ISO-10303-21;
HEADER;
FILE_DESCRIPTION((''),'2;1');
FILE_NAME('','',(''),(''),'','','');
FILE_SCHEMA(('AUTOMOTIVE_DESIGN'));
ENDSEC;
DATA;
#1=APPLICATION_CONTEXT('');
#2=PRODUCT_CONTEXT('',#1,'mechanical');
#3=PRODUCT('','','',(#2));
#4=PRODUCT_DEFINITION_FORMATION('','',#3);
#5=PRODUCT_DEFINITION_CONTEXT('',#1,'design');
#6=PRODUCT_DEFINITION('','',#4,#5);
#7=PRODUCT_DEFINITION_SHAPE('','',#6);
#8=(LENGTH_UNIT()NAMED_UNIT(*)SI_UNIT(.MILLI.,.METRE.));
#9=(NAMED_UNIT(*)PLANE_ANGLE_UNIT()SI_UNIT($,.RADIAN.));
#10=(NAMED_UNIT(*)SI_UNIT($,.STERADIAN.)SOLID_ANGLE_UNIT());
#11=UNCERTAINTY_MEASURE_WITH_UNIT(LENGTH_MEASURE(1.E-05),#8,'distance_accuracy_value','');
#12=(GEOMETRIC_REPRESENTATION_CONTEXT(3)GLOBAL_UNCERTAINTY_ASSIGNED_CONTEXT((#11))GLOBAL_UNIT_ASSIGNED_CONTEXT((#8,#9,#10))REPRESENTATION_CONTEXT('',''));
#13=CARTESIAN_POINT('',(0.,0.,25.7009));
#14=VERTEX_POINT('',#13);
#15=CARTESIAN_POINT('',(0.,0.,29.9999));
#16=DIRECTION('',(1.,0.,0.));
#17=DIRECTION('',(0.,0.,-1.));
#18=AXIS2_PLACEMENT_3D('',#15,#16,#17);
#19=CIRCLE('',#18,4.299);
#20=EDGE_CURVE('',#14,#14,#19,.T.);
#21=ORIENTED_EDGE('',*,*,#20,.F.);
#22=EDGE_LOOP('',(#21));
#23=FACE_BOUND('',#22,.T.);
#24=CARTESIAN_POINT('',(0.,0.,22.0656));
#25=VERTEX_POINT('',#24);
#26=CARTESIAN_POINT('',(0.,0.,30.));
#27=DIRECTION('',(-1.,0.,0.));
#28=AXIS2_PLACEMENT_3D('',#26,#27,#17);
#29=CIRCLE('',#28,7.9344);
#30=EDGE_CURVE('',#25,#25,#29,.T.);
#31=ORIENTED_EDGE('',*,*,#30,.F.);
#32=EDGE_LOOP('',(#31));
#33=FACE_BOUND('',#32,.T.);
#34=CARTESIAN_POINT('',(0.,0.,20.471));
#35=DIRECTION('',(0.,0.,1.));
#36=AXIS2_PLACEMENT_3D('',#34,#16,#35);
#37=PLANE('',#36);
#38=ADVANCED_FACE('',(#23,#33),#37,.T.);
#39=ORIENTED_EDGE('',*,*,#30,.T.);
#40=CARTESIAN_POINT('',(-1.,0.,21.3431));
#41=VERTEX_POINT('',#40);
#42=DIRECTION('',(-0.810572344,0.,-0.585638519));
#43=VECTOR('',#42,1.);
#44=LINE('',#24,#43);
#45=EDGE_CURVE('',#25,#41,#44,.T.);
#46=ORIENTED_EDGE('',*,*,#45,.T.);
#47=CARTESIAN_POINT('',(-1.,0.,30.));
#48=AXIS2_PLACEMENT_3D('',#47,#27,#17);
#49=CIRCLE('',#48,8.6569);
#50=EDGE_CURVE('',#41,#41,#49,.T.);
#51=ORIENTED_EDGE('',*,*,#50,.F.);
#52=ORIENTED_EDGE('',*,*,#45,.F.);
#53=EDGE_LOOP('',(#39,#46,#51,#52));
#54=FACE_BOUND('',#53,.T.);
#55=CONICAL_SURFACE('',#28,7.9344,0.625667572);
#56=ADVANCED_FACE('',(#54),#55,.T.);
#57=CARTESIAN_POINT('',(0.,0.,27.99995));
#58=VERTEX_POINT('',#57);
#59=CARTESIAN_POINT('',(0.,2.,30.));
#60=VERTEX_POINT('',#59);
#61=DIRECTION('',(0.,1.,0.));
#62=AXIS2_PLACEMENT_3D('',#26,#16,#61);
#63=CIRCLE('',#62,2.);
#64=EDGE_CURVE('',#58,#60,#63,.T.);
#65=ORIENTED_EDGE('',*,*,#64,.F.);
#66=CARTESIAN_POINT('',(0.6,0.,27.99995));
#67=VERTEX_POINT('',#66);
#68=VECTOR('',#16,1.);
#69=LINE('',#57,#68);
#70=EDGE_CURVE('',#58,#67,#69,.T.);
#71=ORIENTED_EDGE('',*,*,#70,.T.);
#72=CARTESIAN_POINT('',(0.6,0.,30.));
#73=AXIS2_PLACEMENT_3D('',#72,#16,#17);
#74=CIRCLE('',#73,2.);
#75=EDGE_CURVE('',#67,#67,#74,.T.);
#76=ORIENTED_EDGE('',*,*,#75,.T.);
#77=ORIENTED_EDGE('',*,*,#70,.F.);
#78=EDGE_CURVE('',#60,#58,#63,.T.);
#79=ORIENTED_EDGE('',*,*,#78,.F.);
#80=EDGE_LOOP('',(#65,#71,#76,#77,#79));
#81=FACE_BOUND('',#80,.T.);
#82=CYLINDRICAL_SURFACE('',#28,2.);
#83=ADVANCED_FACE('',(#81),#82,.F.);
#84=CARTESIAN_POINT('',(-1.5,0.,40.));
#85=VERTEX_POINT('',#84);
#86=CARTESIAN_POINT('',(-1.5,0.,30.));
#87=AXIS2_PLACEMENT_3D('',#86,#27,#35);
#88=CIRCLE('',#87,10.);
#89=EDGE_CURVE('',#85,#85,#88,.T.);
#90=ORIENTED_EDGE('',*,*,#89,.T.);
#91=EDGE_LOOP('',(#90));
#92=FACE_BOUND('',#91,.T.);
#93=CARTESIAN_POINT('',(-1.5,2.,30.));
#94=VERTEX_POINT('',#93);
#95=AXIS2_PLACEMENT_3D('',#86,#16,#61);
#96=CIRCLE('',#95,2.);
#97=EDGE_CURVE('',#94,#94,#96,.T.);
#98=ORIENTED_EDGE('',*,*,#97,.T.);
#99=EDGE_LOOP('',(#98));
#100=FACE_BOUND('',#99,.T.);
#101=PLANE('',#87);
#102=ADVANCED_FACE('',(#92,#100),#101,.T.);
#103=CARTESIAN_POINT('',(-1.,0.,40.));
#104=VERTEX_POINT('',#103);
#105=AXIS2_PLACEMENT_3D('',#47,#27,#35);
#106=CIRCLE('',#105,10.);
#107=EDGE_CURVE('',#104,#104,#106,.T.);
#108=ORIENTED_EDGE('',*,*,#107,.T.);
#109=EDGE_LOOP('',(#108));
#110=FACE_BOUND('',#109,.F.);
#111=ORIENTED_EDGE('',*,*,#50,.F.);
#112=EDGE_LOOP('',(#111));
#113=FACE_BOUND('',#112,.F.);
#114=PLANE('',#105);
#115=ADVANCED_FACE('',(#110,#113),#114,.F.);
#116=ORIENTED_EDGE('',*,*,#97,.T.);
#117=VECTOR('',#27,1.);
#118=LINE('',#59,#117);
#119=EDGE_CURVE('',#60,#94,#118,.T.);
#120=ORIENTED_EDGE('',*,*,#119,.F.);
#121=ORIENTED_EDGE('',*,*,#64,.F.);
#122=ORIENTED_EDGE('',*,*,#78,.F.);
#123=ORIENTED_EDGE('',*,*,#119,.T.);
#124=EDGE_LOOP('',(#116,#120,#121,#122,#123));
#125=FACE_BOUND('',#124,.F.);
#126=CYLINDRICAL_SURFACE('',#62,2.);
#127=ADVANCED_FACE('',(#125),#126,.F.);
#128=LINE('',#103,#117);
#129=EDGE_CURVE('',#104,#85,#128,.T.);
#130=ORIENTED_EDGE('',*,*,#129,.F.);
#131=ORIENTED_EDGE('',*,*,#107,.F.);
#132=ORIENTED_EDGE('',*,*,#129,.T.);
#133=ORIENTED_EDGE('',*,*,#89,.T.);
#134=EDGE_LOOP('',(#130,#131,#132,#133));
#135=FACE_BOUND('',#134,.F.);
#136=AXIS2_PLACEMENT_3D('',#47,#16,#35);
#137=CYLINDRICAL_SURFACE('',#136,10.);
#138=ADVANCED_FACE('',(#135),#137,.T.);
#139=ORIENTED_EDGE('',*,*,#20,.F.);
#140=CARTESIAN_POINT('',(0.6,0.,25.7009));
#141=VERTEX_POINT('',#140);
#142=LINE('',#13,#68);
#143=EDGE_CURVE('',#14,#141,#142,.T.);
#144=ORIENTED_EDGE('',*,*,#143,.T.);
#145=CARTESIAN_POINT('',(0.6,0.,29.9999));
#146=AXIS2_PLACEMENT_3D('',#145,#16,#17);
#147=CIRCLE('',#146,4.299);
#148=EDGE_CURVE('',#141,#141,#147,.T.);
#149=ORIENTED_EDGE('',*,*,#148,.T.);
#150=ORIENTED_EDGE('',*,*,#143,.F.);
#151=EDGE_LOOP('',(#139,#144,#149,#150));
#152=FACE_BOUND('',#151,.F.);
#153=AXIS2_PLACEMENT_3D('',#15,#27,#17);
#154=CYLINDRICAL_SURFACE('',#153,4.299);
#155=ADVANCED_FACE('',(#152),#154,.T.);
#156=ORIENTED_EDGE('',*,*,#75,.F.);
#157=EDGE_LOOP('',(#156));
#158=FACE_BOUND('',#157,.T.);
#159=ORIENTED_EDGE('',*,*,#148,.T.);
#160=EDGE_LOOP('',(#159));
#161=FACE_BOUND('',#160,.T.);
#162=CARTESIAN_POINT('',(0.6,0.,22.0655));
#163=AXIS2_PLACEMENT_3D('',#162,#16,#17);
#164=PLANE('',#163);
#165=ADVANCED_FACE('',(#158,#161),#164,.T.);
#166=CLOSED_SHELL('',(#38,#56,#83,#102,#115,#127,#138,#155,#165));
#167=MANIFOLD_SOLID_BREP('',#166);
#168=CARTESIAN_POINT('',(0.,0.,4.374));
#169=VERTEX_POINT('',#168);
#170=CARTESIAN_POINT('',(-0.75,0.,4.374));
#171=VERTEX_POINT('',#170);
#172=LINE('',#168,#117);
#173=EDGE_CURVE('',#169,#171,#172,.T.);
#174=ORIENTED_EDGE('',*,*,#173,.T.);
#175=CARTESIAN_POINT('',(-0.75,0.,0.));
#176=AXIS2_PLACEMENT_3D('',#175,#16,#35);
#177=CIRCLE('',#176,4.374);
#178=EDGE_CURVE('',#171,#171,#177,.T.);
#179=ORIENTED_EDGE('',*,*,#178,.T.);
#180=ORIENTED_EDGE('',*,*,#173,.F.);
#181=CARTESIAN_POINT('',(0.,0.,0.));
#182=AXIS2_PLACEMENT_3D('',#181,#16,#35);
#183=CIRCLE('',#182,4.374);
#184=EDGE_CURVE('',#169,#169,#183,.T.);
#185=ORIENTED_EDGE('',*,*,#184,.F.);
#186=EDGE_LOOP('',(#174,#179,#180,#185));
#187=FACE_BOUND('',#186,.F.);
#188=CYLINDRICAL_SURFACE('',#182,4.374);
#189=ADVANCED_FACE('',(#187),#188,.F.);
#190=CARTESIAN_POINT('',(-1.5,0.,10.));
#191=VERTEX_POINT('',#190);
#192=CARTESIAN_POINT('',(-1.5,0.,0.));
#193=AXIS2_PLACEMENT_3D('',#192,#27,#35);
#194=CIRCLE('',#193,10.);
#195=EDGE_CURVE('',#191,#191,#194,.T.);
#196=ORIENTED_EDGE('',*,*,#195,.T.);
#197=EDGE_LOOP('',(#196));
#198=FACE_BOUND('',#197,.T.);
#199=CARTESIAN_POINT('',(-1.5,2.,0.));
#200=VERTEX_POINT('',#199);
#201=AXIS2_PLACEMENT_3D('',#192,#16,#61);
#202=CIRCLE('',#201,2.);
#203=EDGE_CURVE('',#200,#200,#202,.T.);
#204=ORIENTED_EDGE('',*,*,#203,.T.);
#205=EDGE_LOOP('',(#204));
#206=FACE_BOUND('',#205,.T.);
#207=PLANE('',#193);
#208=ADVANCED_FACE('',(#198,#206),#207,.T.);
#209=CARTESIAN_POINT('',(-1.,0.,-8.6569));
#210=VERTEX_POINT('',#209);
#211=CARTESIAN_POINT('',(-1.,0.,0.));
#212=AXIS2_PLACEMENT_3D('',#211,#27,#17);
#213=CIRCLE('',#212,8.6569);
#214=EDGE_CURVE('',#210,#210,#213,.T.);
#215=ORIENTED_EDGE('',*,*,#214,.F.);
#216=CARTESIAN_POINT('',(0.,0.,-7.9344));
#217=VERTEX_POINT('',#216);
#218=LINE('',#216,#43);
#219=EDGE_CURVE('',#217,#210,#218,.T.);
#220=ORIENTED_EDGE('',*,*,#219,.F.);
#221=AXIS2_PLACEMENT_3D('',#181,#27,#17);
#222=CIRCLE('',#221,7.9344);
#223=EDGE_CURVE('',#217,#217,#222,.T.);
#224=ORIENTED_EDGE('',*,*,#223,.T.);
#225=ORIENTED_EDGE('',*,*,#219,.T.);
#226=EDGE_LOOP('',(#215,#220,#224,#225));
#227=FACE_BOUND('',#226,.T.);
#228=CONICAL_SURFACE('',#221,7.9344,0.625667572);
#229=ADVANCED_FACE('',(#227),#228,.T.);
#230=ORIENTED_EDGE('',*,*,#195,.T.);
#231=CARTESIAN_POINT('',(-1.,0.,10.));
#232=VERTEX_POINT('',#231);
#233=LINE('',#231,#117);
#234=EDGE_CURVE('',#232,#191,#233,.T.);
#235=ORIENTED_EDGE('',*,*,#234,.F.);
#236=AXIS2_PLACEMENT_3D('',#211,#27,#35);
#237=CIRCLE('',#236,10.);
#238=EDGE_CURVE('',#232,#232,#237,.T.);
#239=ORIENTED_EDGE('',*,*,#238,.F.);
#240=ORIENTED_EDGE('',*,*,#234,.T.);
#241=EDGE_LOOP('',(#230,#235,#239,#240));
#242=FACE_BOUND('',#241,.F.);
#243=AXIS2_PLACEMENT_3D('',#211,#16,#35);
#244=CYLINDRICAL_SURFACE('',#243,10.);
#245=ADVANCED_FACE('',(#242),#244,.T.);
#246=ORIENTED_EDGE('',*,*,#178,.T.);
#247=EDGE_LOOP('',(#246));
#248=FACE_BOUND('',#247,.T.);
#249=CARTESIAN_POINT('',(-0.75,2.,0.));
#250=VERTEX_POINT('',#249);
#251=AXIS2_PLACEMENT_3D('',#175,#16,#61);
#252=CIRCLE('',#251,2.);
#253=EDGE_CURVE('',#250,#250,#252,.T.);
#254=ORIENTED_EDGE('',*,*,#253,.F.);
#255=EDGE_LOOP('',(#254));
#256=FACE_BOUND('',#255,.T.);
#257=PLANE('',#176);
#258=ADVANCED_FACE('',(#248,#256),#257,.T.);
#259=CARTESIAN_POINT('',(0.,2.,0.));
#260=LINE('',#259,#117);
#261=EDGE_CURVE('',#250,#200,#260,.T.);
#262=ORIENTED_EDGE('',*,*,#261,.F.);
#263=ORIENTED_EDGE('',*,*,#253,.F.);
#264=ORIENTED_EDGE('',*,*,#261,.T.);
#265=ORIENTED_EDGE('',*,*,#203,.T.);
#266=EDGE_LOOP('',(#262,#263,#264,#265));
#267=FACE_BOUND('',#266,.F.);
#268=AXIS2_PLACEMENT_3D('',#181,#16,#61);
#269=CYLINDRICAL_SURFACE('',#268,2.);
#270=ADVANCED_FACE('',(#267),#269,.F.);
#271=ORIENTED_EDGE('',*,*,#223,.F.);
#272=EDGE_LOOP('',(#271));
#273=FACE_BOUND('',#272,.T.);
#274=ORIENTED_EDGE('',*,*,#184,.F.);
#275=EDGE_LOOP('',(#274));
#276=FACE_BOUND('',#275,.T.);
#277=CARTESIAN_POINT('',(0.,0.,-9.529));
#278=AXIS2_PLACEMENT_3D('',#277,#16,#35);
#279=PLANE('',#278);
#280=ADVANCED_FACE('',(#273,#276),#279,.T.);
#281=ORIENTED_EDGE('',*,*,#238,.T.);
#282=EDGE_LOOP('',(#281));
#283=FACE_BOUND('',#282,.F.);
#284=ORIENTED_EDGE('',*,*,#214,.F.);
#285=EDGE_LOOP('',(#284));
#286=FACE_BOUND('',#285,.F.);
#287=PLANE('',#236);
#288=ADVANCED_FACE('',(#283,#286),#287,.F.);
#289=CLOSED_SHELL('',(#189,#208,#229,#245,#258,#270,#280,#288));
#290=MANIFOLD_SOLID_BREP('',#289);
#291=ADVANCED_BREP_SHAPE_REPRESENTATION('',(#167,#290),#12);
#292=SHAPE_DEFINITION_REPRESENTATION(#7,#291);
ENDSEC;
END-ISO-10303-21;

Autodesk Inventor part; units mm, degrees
ref_plane "YZ Plane" through (0, 0, 0) normal (1, 0, 0) x (0, 1, 0)
ref_plane "XZ Plane" through (0, 0, 0) normal (0, 1, 0) x (-1, 0, 0)
ref_plane "XY Plane" through (0, 0, 0) normal (0, 0, 1) x (1, 0, 0)
sketch "Sketch1" plane through (0, 0, 0) normal (1, 0, 0) x (0, 1, 0)
  circle A0 centre (0, 0) radius 7.9344
  dimension "d0" = 15.8689
extrude "Extrusion1" add sketch "Sketch1" along normal mid plane 2
sketch "Sketch2" plane through (-1, 0, 0) normal (-1, 0, 0) x (0, 0, 1)
  circle A0 centre (0, 0) radius 10
  dimension "d46" = 20
extrude "Extrusion2" add sketch "Sketch2" along normal blind 0.5
sketch "Sketch3" plane through (-1.5, 0, 0) normal (-1, 0, 0) x (0, 0, 1)
  point P0 (0, 0)
sketch "Sketch5" plane through (0, 0, 0) normal (0, 1, 0) x (-1, 0, 0)
  circle A0 centre (0, -0.6447) radius 0.3263
  line L0 (-1.5, 0) -> (1.5, 0)
  circle A1 centre (0, 0.6447) radius 0.3263
  point P0 (0, 0)
sketch "Sketch6" plane through (0, 0, 0) normal (0, 1, 0) x (-1, 0, 0)
  line L0 (1, -7.9344) -> (1, 7.9344)
  line L1 (1, -7.9344) -> (-1, -7.9344)
  line L2 (0, -7.9344) -> (1, -8.6569)
  line L3 (1, -10) -> (1, 10)
  line L4 (0, -7.9344) -> (-1, -8.6569)
  line L5 (-1, -8.6569) -> (-1, -7.9344)
  line L6 (1, -7.9344) -> (1, -8.6569)
  line L7 (-2.6263, 0) -> (3.0126, 0)
  line L8 (-1, -8.6569) -> (-1, -7.9344)
  line L9 (0, -7.9344) -> (1, -7.9344)
  point P0 (0, 0)
  dimension "d45" = 0
revolve "Revolution1" add sketch "Sketch6" angle 360 about axis through (2.6263, 0, 0) along (-1, 0, 0)
sketch "Sketch7" plane through (0, 0, 0) normal (0, 1, 0) x (-1, 0, 0)
  line L0 (-5.9098, -9.529) -> (0, -9.529)
  line L1 (0, -9.529) -> (0, 9.1694)
  line L2 (0, 9.1694) -> (-5.9098, 9.1694)
  line L3 (-5.9098, 9.1694) -> (-5.9098, -9.529)
  point P0 (0, 0)
extrude "Extrusion6" cut sketch "Sketch7" along normal mid plane 22.75
sketch "Sketch8" plane through (0, 0, 0) normal (1, 0, 0) x (0, 1, 0)
  circle A0 centre (0, 0) radius 2
  dimension "d15" = 4
extrude "Extrusion7" cut sketch "Sketch8" against normal through all
sketch "Sketch9" plane through (0, 0, 0) normal (1, 0, 0) x (0, 0, 1)
  circle A0 centre (0, 0) radius 4.374
  circle A1 centre (0, 0) radius 2 projected
  arc A2 (1.4796, -1.3457) -> (-1.4796, -1.3457) centre (0, 0) ccw
  line L0 (0.971, 0) -> (0.971, -2) projected
  line L1 (-0.971, -2) -> (-0.971, 0) projected
  point P0 (-7.9344, 0)
  point P1 (0, -2)
  point P2 (0, -2)
  point P3 (-7.9344, 0)
  dimension "d36" = 8.7479
extrude "Extrusion8" cut sketch "Sketch9" against normal blind 0.75 contours A0 | A1
pattern_linear "Rectangular Pattern3" count 2 spacing 30 along (0, 0, 1) of "Extrusion1", "Extrusion2", "Revolution1", "Extrusion6", "Extrusion7"
sketch "Sketch10" plane through (0, 0, 22.0655) normal (1, 0, 0) x (0, 0, -1)
  arc A0 (-7.9345, 2) -> (-7.9345, 2) centre (-7.9345, 0) ccw
  circle A1 centre (-7.9344, 0) radius 2
  circle A2 centre (-7.9344, 0) radius 4.299
  point P0 (22.0655, 0)
  dimension "d43" = 8.5979
extrude "Extrusion9" add sketch "Sketch10" along normal blind 0.6
sketch "Sketch11" plane through (0, 0, 30) normal (1, 0, 0) x (0, 1, 0)
  line L0 (12.8492, -9.7207) -> (-12.5468, -9.7207)
  line L1 (-12.5468, -9.7207) -> (-12.5468, -34.2097)
  line L2 (-12.5468, -34.2097) -> (12.8492, -34.2097)
  line L3 (12.8492, -34.2097) -> (12.8492, -9.7207)
  point P0 (0, -30)
ref_plane "Work Plane7" through (0, 0, 30) normal (1, 0, 0) x (0, 1, 0)
equation "\"tolerancia\" = 0.15"
properties part number "poleas_pulgar_falages23_v13"
